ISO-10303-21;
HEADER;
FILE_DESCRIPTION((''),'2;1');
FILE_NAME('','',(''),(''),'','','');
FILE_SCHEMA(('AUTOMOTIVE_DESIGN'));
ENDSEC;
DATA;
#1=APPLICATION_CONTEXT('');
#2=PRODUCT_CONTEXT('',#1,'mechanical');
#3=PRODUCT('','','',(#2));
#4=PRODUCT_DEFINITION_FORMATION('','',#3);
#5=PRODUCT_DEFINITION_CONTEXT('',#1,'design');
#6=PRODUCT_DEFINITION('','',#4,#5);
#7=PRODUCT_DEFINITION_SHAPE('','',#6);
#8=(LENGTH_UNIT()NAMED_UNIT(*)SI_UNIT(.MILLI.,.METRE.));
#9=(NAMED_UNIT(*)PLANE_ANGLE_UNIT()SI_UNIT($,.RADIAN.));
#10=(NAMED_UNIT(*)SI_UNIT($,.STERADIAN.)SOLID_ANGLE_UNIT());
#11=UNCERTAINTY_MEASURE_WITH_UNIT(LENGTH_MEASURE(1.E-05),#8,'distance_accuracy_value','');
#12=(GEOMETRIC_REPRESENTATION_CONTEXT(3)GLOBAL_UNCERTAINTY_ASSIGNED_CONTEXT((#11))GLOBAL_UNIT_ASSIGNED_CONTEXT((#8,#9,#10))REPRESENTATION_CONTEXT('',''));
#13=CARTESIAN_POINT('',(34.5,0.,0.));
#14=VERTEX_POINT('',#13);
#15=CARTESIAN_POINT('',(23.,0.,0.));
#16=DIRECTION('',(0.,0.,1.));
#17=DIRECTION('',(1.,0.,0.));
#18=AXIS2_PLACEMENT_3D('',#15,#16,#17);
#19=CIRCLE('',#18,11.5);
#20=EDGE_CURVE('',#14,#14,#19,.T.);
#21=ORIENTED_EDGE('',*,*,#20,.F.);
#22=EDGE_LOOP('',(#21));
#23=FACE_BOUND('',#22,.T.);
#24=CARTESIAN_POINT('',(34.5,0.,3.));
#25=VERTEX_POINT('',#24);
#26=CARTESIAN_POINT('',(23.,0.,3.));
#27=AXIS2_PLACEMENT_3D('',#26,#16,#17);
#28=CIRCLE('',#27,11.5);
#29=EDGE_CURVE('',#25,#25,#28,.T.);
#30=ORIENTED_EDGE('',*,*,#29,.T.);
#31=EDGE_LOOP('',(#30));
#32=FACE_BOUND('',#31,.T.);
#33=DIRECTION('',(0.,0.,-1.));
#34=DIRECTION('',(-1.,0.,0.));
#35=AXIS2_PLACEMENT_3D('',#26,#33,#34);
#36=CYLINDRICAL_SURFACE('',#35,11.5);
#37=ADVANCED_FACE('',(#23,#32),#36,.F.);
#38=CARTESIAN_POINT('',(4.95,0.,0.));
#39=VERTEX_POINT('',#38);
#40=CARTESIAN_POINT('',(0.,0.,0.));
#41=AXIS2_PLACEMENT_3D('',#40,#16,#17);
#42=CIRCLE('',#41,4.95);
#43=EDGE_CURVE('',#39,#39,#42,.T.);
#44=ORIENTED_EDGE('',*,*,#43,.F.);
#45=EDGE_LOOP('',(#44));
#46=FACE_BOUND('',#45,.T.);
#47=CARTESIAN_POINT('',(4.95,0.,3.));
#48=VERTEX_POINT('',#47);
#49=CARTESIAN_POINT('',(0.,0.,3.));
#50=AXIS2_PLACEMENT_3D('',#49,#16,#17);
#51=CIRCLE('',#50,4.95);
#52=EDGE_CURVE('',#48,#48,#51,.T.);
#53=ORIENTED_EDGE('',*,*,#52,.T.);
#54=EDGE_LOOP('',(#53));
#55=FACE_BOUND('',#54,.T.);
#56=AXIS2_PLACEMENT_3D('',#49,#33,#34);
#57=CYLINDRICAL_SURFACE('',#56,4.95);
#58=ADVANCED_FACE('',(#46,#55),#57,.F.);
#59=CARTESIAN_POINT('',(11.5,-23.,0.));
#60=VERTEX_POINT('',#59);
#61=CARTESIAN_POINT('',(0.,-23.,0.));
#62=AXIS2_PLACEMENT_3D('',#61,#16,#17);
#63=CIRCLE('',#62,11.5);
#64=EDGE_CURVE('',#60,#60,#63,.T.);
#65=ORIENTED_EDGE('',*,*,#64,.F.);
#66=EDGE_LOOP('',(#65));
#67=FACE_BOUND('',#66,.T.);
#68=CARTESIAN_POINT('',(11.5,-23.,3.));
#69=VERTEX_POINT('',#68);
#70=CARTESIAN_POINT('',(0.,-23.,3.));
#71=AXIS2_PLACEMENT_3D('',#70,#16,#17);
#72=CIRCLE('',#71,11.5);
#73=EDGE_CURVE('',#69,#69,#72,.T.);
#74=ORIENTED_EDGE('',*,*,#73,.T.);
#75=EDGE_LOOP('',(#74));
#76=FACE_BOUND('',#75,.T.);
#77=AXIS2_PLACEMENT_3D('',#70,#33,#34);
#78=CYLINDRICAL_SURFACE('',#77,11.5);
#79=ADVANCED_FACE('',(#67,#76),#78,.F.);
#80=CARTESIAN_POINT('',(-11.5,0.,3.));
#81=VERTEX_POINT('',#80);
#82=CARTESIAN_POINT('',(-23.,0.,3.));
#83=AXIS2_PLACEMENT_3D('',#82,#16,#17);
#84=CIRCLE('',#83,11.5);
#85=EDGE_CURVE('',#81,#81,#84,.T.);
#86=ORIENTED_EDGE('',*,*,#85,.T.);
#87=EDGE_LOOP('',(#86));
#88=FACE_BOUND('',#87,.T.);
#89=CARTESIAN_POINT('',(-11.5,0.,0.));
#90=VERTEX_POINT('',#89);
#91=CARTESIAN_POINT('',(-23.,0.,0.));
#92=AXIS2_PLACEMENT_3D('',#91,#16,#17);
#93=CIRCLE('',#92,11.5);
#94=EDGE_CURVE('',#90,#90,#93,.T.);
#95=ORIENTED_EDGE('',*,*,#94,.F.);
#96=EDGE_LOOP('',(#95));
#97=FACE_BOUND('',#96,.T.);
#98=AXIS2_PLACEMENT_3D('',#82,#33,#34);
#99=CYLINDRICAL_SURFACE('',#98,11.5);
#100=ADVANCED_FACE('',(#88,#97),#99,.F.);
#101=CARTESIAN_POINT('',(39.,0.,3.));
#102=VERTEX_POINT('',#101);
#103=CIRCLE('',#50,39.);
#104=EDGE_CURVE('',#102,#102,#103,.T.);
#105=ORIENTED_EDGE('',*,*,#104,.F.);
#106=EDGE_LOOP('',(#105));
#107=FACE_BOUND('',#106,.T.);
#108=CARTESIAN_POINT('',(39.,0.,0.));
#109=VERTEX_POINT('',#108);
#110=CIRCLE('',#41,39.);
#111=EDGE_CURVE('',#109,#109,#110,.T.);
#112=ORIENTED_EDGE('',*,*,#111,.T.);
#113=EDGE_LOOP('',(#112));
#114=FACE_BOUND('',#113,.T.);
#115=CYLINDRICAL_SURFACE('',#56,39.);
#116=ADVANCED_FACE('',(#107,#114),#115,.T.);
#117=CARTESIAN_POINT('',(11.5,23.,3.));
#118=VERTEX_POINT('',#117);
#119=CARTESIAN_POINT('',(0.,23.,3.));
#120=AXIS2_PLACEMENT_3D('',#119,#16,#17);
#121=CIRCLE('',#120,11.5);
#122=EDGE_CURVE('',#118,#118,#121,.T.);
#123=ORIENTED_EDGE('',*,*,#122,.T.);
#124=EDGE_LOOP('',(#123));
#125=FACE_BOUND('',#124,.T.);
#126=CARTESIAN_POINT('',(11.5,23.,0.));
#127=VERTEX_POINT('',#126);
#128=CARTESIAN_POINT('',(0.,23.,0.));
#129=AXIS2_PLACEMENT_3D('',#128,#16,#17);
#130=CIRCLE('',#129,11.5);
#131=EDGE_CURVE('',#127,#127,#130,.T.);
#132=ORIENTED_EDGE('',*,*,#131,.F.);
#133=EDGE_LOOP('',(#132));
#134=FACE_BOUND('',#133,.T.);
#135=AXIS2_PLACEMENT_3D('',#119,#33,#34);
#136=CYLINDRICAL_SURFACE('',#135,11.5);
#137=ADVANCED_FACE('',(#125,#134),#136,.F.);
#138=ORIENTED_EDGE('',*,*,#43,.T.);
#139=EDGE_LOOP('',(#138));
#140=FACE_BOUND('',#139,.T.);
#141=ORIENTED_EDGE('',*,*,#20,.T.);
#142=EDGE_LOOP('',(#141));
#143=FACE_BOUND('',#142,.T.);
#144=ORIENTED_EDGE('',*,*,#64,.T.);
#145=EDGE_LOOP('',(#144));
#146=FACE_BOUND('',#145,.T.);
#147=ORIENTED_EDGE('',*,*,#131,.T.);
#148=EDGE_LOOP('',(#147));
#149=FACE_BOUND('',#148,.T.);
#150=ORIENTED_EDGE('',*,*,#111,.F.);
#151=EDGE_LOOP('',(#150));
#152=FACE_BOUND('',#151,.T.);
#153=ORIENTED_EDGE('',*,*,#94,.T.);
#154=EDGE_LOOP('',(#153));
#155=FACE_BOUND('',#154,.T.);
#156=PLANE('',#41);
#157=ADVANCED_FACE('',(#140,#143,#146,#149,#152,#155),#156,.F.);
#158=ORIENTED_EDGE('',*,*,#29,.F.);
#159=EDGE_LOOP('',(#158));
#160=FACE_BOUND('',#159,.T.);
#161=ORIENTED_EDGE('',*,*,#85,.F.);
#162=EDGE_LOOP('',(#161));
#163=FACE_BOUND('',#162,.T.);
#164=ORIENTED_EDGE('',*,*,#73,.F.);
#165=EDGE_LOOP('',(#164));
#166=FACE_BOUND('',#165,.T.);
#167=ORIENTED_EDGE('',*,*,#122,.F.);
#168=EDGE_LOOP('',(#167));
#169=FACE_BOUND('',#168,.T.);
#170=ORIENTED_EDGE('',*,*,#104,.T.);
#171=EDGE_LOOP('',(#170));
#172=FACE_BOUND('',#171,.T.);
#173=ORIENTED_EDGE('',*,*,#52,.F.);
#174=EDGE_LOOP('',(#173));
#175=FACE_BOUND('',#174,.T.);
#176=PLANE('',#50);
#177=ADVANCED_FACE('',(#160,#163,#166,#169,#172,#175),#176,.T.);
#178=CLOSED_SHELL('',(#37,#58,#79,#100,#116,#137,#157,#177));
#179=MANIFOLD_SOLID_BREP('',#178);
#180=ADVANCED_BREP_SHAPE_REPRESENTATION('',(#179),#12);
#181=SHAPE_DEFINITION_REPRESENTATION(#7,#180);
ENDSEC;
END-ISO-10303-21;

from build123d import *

# Parameters (mm, degrees)
ESQUISSE1_R        = 39
ESQUISSE1_R_2      = 4.95
ESQUISSE1_R_3      = 11.5
BOSS_EXTRU_1_DEPTH = 3


with BuildPart() as part:
    # Esquisse1 → Boss.-Extru.1 (new body)
    with BuildSketch(Plane.XY):
        Circle(ESQUISSE1_R)
        Circle(ESQUISSE1_R_2, mode=Mode.SUBTRACT)
        with Locations((0, 23)):
            Circle(ESQUISSE1_R_3, mode=Mode.SUBTRACT)
        with Locations((23, 0)):
            Circle(ESQUISSE1_R_3, mode=Mode.SUBTRACT)
        with Locations((0, -23)):
            Circle(ESQUISSE1_R_3, mode=Mode.SUBTRACT)
        with Locations((-23, 0)):
            Circle(ESQUISSE1_R_3, mode=Mode.SUBTRACT)
    extrude(amount=BOSS_EXTRU_1_DEPTH)


solid = part.part
